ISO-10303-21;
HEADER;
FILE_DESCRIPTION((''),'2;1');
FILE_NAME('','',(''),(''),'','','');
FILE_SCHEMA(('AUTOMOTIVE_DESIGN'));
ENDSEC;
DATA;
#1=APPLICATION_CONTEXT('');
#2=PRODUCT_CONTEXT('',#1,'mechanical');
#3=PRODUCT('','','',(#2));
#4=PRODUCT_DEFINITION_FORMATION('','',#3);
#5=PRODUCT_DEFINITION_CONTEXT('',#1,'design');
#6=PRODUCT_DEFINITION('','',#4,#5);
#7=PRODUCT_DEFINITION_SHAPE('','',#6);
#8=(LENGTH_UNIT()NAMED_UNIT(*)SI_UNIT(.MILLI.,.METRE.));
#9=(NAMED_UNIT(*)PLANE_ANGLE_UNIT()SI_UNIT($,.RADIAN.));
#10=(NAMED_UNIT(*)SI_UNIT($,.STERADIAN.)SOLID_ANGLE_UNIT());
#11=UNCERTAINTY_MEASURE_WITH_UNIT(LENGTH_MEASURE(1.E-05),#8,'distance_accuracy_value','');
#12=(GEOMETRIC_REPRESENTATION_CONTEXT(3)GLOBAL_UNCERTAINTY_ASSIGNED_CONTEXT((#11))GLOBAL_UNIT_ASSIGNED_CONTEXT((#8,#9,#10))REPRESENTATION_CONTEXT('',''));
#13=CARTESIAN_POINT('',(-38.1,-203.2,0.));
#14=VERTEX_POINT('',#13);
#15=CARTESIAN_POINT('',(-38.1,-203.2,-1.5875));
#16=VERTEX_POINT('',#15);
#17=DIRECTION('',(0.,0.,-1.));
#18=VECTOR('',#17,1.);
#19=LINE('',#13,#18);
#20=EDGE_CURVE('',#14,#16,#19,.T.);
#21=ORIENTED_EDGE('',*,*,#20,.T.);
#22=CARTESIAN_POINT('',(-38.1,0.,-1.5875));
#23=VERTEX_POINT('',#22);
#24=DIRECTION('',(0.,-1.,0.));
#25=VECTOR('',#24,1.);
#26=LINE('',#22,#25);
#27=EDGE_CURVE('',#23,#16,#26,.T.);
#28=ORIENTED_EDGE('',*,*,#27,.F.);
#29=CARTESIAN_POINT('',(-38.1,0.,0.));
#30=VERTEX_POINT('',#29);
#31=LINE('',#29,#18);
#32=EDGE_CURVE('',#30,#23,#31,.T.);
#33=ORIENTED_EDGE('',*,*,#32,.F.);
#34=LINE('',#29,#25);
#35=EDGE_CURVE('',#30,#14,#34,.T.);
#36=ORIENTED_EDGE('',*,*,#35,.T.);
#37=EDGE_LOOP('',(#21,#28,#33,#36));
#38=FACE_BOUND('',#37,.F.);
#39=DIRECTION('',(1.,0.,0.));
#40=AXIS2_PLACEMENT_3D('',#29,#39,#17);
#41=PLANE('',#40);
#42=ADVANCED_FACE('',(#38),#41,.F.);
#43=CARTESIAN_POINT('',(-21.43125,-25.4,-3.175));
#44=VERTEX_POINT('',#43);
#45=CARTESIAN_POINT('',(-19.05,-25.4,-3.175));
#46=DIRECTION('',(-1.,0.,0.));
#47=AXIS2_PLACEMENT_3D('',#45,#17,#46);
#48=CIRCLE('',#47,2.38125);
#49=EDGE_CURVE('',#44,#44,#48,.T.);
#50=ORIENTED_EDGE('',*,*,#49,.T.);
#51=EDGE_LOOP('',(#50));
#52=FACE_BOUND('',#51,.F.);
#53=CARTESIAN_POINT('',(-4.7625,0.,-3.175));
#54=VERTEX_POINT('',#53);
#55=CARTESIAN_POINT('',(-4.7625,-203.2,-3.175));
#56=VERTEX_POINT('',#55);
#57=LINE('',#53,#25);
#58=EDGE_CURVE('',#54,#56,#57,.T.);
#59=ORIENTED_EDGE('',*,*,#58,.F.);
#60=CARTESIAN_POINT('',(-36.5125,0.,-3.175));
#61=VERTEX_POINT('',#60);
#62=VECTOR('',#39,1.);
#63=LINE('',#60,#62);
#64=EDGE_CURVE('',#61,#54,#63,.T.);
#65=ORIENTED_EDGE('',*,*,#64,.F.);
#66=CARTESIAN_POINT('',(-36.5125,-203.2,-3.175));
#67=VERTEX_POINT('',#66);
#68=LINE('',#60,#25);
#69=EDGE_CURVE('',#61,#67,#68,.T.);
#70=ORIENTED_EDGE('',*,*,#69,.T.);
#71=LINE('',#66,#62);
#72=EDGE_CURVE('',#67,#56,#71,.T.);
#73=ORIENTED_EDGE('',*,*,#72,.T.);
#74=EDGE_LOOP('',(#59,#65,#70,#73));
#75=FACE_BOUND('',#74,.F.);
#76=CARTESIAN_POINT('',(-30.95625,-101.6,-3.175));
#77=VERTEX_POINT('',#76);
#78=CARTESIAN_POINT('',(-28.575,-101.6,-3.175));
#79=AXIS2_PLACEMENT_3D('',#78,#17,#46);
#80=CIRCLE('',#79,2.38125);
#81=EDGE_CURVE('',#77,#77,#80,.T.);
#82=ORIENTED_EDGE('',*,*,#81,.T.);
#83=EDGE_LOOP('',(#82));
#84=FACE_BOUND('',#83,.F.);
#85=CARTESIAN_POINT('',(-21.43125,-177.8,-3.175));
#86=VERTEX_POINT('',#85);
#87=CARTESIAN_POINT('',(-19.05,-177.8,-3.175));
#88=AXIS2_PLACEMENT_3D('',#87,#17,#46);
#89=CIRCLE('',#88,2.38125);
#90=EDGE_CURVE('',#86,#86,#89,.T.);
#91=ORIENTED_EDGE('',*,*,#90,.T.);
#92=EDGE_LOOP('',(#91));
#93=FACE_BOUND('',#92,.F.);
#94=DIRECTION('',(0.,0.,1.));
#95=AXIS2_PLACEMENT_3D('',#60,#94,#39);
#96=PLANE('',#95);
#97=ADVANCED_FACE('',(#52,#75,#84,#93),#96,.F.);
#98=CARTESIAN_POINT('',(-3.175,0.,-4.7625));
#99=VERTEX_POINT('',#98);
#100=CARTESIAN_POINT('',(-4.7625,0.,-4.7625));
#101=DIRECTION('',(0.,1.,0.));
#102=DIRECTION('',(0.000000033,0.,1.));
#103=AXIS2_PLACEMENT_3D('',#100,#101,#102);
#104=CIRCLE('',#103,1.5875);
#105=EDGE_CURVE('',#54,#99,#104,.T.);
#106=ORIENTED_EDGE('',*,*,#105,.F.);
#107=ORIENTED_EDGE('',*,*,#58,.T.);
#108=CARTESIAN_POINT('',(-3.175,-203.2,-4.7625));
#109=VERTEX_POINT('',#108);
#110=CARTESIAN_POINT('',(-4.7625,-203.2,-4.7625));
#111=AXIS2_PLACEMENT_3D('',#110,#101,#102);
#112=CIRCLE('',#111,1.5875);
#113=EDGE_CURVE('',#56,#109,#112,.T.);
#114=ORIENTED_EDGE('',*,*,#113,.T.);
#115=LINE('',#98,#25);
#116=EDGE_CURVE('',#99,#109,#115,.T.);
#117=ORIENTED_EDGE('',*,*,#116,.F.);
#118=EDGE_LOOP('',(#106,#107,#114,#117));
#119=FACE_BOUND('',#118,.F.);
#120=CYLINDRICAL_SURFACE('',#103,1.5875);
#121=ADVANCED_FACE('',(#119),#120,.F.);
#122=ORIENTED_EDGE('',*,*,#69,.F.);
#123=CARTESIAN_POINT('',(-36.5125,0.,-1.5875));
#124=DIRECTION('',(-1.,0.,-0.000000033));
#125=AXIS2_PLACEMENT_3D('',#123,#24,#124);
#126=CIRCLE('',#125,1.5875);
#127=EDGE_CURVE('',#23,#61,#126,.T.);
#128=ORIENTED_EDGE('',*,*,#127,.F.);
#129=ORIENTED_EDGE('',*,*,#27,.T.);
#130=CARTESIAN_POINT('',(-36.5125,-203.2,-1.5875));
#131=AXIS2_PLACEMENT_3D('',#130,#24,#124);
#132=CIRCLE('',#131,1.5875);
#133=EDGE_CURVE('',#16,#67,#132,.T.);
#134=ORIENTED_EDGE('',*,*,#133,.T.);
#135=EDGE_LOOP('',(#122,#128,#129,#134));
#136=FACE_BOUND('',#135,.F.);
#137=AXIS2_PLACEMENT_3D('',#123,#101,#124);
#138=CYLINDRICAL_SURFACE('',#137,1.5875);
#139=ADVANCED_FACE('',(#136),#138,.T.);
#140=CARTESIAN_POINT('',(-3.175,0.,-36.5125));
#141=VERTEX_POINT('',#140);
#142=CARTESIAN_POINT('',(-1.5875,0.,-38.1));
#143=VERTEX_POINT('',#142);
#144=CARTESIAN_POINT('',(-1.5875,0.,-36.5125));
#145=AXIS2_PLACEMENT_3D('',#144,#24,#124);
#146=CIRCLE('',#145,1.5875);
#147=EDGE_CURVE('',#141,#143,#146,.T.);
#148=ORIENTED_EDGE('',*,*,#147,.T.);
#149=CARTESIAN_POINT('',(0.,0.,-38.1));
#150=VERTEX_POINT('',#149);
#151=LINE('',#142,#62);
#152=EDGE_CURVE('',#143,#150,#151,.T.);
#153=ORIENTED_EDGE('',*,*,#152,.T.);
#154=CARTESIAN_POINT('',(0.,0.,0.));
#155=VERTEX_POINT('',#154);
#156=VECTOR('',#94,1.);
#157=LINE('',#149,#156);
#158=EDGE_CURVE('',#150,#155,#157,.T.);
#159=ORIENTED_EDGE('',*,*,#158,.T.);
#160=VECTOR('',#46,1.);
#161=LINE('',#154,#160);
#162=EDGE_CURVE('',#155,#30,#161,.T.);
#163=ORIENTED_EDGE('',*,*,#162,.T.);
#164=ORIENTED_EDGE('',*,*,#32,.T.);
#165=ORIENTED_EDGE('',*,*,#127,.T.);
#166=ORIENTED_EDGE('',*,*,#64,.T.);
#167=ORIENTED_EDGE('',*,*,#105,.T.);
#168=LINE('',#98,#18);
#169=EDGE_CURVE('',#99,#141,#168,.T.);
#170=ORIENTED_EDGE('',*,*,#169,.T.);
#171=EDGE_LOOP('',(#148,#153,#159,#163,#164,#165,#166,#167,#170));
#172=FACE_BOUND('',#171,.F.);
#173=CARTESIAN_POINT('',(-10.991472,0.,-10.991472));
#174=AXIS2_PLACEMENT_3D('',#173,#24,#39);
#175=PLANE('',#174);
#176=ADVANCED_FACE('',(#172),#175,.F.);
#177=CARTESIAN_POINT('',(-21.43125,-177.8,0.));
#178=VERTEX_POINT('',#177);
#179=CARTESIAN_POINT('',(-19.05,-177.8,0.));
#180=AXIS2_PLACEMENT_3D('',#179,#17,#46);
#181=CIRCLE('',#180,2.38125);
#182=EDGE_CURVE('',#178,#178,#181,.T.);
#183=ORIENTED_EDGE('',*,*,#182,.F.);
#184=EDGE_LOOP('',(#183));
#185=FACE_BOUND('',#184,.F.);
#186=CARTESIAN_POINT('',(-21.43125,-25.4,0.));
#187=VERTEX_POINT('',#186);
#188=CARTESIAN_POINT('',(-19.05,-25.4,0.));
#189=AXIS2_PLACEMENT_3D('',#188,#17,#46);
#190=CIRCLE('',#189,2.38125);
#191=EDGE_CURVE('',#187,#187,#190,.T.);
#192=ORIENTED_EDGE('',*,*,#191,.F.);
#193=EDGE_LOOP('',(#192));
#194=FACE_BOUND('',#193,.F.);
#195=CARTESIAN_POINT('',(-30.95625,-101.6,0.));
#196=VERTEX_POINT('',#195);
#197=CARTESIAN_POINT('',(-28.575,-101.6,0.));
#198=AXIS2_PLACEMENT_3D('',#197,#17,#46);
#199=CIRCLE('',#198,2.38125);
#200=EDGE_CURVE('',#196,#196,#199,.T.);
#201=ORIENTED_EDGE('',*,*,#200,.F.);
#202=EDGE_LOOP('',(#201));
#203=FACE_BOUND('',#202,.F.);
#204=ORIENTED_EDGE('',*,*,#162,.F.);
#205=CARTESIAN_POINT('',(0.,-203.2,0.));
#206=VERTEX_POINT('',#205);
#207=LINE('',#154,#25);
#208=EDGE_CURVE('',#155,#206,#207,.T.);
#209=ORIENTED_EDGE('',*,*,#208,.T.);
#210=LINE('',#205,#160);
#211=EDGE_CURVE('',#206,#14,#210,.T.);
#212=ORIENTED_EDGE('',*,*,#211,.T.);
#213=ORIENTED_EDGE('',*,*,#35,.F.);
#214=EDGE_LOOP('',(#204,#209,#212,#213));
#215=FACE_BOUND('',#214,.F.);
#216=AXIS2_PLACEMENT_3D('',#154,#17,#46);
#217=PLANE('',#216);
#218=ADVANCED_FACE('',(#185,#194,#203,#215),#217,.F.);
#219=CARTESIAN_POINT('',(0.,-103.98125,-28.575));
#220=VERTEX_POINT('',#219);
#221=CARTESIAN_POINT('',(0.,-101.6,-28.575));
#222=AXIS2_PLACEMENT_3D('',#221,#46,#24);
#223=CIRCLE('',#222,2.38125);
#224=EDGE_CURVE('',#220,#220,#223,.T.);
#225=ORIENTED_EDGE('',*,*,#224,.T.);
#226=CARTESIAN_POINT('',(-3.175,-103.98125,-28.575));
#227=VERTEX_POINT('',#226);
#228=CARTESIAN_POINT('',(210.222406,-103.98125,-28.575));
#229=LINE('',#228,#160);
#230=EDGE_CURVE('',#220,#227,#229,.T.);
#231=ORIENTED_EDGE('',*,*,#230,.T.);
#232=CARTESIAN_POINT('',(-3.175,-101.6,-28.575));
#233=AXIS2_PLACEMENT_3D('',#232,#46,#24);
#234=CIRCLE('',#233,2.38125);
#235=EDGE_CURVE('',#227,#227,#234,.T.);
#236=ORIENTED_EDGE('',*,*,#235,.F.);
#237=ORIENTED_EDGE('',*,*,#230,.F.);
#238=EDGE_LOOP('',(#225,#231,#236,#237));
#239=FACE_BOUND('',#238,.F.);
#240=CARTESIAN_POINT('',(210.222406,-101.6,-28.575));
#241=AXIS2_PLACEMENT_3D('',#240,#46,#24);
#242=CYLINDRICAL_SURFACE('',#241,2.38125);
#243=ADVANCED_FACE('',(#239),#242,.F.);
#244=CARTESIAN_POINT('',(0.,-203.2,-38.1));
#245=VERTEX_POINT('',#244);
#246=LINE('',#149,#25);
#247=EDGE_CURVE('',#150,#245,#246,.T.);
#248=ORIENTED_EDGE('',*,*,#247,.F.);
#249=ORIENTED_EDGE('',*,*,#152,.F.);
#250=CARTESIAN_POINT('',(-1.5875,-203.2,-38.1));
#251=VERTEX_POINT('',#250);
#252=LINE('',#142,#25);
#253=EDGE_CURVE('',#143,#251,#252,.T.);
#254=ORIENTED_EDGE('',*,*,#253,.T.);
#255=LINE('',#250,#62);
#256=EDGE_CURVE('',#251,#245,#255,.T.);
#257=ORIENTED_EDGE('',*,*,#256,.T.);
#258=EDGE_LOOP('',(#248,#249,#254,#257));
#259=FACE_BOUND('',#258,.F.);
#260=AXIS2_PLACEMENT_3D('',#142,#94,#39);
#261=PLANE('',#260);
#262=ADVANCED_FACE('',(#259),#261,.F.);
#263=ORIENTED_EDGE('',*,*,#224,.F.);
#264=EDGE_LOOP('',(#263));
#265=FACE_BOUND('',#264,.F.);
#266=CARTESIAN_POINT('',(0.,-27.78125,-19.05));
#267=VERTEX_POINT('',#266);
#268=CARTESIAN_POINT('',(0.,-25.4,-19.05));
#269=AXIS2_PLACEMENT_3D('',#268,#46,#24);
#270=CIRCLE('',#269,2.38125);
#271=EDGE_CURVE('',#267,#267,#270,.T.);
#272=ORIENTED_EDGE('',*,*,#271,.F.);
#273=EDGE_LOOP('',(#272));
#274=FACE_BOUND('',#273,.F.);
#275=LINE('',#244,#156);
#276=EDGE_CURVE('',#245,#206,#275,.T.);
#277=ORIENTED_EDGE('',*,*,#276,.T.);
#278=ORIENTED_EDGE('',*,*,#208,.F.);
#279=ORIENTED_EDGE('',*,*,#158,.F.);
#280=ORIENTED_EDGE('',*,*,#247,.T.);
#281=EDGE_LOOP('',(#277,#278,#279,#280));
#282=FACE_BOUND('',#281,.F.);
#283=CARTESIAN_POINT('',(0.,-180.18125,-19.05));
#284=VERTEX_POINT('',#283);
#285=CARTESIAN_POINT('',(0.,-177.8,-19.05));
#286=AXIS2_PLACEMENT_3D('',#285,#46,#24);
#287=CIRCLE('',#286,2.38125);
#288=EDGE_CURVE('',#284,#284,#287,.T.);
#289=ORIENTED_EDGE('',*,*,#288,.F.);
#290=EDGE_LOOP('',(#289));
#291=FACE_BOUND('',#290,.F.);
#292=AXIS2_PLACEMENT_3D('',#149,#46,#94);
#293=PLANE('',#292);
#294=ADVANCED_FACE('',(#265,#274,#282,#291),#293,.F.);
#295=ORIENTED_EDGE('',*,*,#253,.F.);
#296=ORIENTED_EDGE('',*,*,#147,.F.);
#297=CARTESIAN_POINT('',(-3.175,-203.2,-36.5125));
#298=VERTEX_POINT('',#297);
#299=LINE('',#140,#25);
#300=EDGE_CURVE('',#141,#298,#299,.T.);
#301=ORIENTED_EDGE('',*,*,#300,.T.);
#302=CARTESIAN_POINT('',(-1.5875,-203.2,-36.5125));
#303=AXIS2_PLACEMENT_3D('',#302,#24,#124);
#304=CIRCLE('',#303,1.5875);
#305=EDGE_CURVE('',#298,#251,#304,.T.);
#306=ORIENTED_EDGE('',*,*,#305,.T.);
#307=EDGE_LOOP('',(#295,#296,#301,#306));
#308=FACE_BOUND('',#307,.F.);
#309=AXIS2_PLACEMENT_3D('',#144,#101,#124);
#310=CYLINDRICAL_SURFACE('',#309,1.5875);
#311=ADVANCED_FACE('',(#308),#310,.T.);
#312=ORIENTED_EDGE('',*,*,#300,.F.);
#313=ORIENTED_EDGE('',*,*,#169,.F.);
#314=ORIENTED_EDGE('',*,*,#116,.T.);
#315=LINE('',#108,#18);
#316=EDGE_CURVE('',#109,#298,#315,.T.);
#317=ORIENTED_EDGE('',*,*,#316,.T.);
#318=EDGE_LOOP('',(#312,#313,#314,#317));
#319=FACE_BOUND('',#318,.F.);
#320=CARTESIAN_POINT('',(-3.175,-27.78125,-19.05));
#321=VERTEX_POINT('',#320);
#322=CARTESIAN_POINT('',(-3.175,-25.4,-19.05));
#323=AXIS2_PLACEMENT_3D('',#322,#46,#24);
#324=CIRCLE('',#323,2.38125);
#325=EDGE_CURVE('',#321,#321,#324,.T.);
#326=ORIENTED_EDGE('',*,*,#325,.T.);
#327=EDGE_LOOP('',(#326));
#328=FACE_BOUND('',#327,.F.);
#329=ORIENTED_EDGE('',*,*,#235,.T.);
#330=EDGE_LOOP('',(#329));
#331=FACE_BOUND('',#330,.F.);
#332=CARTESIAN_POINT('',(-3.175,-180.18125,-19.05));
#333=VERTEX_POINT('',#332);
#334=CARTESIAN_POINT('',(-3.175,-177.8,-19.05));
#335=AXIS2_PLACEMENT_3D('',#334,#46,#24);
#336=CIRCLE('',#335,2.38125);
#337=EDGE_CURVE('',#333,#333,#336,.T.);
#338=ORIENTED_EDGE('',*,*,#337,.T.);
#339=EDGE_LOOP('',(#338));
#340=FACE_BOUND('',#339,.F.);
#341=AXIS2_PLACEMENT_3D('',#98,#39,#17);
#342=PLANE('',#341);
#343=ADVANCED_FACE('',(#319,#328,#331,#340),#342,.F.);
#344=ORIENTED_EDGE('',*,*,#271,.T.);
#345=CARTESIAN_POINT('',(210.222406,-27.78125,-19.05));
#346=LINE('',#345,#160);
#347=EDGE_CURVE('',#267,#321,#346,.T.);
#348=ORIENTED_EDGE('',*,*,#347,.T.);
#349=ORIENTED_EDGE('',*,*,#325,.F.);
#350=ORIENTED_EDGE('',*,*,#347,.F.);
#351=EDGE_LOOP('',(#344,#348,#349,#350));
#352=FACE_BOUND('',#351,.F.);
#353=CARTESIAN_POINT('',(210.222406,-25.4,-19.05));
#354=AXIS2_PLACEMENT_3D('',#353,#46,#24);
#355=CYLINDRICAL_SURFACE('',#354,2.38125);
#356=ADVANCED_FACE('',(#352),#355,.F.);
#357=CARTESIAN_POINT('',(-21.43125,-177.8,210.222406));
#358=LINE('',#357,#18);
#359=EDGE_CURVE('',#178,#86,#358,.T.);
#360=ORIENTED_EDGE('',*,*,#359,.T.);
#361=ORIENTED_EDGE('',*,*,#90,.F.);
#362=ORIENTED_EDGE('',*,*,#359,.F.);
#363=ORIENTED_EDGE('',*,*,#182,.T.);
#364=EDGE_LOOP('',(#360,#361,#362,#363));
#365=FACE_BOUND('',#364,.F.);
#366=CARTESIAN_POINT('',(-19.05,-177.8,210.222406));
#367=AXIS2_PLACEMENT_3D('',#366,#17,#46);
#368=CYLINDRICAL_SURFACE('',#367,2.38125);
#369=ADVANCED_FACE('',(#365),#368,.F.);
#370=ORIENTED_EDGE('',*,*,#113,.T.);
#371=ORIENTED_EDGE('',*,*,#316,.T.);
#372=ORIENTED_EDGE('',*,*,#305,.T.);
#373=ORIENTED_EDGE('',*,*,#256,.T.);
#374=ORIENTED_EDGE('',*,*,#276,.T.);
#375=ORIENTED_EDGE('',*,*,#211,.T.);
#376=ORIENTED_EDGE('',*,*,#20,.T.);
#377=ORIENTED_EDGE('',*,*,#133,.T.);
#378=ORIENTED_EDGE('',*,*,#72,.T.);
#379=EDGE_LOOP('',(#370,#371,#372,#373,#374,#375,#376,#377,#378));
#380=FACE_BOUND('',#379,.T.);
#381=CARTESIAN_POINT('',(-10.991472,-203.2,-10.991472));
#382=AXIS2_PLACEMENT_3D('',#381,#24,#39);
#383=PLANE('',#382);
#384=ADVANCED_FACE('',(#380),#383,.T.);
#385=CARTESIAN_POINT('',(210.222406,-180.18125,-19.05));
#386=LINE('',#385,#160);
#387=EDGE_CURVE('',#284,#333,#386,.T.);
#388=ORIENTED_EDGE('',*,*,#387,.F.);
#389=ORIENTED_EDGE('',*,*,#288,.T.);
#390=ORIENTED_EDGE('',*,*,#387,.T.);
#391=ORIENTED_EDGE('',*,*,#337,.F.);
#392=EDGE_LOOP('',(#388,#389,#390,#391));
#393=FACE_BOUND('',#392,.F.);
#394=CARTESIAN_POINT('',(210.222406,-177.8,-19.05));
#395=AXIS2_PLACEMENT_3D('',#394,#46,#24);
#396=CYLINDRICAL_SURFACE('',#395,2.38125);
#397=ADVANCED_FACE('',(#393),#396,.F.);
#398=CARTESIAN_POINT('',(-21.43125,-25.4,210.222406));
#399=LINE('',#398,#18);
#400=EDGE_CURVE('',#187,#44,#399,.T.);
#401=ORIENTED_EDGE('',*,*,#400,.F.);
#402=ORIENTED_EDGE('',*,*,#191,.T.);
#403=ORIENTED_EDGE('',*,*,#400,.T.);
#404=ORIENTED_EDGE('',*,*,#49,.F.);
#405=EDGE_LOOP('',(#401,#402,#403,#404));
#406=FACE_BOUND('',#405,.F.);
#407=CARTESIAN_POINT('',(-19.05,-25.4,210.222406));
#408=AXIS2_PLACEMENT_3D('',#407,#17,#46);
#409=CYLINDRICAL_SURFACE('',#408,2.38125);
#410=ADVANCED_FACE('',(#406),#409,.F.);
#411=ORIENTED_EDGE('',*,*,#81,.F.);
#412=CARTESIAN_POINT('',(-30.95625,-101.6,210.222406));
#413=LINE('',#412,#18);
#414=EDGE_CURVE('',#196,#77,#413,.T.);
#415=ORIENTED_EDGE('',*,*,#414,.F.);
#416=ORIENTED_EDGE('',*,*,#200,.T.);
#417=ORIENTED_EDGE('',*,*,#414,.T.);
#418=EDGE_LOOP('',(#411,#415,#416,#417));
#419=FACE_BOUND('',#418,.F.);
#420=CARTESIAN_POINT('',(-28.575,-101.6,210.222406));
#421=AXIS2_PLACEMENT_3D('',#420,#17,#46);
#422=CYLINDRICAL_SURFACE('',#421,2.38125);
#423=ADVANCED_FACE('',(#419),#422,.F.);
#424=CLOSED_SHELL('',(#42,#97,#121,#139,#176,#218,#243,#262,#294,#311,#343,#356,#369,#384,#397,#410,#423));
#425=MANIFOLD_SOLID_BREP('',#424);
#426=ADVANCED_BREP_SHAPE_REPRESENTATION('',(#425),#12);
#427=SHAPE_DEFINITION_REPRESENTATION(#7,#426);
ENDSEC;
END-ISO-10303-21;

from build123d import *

# Parameters (mm, degrees)
F1_DEPTH = 203.2
F3_D     = 4.7625
F5_D     = 4.7625


with BuildPart() as f1:
    # F0 (on Front) → F1 (new body)
    with BuildSketch(Plane.XZ):
        with BuildLine():
            Line((0, -38.1), (0, 0))
            Line((0, 0), (-38.1, 0))
            Line((-38.1, 0), (-38.1, -1.5875))
            ThreePointArc((-38.1, -1.5875), (-37.635032, -2.710032), (-36.5125, -3.175))
            Line((-36.5125, -3.175), (-4.7625, -3.175))
            ThreePointArc((-4.7625, -3.175), (-3.639968, -3.639968), (-3.175, -4.7625))
            Line((-3.175, -4.7625), (-3.175, -36.5125))
            ThreePointArc((-3.175, -36.5125), (-2.710032, -37.635032), (-1.5875, -38.1))
            Line((-1.5875, -38.1), (0, -38.1))
        make_face()
    extrude(amount=F1_DEPTH)

    # F3 (through all)
    with Locations(Plane.XY):
        with Locations((-19.05, -177.8), (-28.575, -101.6), (-19.05, -25.4)):
            Hole(F3_D / 2)

    # F5 (through all)
    with Locations(Plane.YZ):
        with Locations((-25.4, -19.05), (-101.6, -28.575), (-177.8, -19.05)):
            Hole(F5_D / 2)


solid = f1.part
